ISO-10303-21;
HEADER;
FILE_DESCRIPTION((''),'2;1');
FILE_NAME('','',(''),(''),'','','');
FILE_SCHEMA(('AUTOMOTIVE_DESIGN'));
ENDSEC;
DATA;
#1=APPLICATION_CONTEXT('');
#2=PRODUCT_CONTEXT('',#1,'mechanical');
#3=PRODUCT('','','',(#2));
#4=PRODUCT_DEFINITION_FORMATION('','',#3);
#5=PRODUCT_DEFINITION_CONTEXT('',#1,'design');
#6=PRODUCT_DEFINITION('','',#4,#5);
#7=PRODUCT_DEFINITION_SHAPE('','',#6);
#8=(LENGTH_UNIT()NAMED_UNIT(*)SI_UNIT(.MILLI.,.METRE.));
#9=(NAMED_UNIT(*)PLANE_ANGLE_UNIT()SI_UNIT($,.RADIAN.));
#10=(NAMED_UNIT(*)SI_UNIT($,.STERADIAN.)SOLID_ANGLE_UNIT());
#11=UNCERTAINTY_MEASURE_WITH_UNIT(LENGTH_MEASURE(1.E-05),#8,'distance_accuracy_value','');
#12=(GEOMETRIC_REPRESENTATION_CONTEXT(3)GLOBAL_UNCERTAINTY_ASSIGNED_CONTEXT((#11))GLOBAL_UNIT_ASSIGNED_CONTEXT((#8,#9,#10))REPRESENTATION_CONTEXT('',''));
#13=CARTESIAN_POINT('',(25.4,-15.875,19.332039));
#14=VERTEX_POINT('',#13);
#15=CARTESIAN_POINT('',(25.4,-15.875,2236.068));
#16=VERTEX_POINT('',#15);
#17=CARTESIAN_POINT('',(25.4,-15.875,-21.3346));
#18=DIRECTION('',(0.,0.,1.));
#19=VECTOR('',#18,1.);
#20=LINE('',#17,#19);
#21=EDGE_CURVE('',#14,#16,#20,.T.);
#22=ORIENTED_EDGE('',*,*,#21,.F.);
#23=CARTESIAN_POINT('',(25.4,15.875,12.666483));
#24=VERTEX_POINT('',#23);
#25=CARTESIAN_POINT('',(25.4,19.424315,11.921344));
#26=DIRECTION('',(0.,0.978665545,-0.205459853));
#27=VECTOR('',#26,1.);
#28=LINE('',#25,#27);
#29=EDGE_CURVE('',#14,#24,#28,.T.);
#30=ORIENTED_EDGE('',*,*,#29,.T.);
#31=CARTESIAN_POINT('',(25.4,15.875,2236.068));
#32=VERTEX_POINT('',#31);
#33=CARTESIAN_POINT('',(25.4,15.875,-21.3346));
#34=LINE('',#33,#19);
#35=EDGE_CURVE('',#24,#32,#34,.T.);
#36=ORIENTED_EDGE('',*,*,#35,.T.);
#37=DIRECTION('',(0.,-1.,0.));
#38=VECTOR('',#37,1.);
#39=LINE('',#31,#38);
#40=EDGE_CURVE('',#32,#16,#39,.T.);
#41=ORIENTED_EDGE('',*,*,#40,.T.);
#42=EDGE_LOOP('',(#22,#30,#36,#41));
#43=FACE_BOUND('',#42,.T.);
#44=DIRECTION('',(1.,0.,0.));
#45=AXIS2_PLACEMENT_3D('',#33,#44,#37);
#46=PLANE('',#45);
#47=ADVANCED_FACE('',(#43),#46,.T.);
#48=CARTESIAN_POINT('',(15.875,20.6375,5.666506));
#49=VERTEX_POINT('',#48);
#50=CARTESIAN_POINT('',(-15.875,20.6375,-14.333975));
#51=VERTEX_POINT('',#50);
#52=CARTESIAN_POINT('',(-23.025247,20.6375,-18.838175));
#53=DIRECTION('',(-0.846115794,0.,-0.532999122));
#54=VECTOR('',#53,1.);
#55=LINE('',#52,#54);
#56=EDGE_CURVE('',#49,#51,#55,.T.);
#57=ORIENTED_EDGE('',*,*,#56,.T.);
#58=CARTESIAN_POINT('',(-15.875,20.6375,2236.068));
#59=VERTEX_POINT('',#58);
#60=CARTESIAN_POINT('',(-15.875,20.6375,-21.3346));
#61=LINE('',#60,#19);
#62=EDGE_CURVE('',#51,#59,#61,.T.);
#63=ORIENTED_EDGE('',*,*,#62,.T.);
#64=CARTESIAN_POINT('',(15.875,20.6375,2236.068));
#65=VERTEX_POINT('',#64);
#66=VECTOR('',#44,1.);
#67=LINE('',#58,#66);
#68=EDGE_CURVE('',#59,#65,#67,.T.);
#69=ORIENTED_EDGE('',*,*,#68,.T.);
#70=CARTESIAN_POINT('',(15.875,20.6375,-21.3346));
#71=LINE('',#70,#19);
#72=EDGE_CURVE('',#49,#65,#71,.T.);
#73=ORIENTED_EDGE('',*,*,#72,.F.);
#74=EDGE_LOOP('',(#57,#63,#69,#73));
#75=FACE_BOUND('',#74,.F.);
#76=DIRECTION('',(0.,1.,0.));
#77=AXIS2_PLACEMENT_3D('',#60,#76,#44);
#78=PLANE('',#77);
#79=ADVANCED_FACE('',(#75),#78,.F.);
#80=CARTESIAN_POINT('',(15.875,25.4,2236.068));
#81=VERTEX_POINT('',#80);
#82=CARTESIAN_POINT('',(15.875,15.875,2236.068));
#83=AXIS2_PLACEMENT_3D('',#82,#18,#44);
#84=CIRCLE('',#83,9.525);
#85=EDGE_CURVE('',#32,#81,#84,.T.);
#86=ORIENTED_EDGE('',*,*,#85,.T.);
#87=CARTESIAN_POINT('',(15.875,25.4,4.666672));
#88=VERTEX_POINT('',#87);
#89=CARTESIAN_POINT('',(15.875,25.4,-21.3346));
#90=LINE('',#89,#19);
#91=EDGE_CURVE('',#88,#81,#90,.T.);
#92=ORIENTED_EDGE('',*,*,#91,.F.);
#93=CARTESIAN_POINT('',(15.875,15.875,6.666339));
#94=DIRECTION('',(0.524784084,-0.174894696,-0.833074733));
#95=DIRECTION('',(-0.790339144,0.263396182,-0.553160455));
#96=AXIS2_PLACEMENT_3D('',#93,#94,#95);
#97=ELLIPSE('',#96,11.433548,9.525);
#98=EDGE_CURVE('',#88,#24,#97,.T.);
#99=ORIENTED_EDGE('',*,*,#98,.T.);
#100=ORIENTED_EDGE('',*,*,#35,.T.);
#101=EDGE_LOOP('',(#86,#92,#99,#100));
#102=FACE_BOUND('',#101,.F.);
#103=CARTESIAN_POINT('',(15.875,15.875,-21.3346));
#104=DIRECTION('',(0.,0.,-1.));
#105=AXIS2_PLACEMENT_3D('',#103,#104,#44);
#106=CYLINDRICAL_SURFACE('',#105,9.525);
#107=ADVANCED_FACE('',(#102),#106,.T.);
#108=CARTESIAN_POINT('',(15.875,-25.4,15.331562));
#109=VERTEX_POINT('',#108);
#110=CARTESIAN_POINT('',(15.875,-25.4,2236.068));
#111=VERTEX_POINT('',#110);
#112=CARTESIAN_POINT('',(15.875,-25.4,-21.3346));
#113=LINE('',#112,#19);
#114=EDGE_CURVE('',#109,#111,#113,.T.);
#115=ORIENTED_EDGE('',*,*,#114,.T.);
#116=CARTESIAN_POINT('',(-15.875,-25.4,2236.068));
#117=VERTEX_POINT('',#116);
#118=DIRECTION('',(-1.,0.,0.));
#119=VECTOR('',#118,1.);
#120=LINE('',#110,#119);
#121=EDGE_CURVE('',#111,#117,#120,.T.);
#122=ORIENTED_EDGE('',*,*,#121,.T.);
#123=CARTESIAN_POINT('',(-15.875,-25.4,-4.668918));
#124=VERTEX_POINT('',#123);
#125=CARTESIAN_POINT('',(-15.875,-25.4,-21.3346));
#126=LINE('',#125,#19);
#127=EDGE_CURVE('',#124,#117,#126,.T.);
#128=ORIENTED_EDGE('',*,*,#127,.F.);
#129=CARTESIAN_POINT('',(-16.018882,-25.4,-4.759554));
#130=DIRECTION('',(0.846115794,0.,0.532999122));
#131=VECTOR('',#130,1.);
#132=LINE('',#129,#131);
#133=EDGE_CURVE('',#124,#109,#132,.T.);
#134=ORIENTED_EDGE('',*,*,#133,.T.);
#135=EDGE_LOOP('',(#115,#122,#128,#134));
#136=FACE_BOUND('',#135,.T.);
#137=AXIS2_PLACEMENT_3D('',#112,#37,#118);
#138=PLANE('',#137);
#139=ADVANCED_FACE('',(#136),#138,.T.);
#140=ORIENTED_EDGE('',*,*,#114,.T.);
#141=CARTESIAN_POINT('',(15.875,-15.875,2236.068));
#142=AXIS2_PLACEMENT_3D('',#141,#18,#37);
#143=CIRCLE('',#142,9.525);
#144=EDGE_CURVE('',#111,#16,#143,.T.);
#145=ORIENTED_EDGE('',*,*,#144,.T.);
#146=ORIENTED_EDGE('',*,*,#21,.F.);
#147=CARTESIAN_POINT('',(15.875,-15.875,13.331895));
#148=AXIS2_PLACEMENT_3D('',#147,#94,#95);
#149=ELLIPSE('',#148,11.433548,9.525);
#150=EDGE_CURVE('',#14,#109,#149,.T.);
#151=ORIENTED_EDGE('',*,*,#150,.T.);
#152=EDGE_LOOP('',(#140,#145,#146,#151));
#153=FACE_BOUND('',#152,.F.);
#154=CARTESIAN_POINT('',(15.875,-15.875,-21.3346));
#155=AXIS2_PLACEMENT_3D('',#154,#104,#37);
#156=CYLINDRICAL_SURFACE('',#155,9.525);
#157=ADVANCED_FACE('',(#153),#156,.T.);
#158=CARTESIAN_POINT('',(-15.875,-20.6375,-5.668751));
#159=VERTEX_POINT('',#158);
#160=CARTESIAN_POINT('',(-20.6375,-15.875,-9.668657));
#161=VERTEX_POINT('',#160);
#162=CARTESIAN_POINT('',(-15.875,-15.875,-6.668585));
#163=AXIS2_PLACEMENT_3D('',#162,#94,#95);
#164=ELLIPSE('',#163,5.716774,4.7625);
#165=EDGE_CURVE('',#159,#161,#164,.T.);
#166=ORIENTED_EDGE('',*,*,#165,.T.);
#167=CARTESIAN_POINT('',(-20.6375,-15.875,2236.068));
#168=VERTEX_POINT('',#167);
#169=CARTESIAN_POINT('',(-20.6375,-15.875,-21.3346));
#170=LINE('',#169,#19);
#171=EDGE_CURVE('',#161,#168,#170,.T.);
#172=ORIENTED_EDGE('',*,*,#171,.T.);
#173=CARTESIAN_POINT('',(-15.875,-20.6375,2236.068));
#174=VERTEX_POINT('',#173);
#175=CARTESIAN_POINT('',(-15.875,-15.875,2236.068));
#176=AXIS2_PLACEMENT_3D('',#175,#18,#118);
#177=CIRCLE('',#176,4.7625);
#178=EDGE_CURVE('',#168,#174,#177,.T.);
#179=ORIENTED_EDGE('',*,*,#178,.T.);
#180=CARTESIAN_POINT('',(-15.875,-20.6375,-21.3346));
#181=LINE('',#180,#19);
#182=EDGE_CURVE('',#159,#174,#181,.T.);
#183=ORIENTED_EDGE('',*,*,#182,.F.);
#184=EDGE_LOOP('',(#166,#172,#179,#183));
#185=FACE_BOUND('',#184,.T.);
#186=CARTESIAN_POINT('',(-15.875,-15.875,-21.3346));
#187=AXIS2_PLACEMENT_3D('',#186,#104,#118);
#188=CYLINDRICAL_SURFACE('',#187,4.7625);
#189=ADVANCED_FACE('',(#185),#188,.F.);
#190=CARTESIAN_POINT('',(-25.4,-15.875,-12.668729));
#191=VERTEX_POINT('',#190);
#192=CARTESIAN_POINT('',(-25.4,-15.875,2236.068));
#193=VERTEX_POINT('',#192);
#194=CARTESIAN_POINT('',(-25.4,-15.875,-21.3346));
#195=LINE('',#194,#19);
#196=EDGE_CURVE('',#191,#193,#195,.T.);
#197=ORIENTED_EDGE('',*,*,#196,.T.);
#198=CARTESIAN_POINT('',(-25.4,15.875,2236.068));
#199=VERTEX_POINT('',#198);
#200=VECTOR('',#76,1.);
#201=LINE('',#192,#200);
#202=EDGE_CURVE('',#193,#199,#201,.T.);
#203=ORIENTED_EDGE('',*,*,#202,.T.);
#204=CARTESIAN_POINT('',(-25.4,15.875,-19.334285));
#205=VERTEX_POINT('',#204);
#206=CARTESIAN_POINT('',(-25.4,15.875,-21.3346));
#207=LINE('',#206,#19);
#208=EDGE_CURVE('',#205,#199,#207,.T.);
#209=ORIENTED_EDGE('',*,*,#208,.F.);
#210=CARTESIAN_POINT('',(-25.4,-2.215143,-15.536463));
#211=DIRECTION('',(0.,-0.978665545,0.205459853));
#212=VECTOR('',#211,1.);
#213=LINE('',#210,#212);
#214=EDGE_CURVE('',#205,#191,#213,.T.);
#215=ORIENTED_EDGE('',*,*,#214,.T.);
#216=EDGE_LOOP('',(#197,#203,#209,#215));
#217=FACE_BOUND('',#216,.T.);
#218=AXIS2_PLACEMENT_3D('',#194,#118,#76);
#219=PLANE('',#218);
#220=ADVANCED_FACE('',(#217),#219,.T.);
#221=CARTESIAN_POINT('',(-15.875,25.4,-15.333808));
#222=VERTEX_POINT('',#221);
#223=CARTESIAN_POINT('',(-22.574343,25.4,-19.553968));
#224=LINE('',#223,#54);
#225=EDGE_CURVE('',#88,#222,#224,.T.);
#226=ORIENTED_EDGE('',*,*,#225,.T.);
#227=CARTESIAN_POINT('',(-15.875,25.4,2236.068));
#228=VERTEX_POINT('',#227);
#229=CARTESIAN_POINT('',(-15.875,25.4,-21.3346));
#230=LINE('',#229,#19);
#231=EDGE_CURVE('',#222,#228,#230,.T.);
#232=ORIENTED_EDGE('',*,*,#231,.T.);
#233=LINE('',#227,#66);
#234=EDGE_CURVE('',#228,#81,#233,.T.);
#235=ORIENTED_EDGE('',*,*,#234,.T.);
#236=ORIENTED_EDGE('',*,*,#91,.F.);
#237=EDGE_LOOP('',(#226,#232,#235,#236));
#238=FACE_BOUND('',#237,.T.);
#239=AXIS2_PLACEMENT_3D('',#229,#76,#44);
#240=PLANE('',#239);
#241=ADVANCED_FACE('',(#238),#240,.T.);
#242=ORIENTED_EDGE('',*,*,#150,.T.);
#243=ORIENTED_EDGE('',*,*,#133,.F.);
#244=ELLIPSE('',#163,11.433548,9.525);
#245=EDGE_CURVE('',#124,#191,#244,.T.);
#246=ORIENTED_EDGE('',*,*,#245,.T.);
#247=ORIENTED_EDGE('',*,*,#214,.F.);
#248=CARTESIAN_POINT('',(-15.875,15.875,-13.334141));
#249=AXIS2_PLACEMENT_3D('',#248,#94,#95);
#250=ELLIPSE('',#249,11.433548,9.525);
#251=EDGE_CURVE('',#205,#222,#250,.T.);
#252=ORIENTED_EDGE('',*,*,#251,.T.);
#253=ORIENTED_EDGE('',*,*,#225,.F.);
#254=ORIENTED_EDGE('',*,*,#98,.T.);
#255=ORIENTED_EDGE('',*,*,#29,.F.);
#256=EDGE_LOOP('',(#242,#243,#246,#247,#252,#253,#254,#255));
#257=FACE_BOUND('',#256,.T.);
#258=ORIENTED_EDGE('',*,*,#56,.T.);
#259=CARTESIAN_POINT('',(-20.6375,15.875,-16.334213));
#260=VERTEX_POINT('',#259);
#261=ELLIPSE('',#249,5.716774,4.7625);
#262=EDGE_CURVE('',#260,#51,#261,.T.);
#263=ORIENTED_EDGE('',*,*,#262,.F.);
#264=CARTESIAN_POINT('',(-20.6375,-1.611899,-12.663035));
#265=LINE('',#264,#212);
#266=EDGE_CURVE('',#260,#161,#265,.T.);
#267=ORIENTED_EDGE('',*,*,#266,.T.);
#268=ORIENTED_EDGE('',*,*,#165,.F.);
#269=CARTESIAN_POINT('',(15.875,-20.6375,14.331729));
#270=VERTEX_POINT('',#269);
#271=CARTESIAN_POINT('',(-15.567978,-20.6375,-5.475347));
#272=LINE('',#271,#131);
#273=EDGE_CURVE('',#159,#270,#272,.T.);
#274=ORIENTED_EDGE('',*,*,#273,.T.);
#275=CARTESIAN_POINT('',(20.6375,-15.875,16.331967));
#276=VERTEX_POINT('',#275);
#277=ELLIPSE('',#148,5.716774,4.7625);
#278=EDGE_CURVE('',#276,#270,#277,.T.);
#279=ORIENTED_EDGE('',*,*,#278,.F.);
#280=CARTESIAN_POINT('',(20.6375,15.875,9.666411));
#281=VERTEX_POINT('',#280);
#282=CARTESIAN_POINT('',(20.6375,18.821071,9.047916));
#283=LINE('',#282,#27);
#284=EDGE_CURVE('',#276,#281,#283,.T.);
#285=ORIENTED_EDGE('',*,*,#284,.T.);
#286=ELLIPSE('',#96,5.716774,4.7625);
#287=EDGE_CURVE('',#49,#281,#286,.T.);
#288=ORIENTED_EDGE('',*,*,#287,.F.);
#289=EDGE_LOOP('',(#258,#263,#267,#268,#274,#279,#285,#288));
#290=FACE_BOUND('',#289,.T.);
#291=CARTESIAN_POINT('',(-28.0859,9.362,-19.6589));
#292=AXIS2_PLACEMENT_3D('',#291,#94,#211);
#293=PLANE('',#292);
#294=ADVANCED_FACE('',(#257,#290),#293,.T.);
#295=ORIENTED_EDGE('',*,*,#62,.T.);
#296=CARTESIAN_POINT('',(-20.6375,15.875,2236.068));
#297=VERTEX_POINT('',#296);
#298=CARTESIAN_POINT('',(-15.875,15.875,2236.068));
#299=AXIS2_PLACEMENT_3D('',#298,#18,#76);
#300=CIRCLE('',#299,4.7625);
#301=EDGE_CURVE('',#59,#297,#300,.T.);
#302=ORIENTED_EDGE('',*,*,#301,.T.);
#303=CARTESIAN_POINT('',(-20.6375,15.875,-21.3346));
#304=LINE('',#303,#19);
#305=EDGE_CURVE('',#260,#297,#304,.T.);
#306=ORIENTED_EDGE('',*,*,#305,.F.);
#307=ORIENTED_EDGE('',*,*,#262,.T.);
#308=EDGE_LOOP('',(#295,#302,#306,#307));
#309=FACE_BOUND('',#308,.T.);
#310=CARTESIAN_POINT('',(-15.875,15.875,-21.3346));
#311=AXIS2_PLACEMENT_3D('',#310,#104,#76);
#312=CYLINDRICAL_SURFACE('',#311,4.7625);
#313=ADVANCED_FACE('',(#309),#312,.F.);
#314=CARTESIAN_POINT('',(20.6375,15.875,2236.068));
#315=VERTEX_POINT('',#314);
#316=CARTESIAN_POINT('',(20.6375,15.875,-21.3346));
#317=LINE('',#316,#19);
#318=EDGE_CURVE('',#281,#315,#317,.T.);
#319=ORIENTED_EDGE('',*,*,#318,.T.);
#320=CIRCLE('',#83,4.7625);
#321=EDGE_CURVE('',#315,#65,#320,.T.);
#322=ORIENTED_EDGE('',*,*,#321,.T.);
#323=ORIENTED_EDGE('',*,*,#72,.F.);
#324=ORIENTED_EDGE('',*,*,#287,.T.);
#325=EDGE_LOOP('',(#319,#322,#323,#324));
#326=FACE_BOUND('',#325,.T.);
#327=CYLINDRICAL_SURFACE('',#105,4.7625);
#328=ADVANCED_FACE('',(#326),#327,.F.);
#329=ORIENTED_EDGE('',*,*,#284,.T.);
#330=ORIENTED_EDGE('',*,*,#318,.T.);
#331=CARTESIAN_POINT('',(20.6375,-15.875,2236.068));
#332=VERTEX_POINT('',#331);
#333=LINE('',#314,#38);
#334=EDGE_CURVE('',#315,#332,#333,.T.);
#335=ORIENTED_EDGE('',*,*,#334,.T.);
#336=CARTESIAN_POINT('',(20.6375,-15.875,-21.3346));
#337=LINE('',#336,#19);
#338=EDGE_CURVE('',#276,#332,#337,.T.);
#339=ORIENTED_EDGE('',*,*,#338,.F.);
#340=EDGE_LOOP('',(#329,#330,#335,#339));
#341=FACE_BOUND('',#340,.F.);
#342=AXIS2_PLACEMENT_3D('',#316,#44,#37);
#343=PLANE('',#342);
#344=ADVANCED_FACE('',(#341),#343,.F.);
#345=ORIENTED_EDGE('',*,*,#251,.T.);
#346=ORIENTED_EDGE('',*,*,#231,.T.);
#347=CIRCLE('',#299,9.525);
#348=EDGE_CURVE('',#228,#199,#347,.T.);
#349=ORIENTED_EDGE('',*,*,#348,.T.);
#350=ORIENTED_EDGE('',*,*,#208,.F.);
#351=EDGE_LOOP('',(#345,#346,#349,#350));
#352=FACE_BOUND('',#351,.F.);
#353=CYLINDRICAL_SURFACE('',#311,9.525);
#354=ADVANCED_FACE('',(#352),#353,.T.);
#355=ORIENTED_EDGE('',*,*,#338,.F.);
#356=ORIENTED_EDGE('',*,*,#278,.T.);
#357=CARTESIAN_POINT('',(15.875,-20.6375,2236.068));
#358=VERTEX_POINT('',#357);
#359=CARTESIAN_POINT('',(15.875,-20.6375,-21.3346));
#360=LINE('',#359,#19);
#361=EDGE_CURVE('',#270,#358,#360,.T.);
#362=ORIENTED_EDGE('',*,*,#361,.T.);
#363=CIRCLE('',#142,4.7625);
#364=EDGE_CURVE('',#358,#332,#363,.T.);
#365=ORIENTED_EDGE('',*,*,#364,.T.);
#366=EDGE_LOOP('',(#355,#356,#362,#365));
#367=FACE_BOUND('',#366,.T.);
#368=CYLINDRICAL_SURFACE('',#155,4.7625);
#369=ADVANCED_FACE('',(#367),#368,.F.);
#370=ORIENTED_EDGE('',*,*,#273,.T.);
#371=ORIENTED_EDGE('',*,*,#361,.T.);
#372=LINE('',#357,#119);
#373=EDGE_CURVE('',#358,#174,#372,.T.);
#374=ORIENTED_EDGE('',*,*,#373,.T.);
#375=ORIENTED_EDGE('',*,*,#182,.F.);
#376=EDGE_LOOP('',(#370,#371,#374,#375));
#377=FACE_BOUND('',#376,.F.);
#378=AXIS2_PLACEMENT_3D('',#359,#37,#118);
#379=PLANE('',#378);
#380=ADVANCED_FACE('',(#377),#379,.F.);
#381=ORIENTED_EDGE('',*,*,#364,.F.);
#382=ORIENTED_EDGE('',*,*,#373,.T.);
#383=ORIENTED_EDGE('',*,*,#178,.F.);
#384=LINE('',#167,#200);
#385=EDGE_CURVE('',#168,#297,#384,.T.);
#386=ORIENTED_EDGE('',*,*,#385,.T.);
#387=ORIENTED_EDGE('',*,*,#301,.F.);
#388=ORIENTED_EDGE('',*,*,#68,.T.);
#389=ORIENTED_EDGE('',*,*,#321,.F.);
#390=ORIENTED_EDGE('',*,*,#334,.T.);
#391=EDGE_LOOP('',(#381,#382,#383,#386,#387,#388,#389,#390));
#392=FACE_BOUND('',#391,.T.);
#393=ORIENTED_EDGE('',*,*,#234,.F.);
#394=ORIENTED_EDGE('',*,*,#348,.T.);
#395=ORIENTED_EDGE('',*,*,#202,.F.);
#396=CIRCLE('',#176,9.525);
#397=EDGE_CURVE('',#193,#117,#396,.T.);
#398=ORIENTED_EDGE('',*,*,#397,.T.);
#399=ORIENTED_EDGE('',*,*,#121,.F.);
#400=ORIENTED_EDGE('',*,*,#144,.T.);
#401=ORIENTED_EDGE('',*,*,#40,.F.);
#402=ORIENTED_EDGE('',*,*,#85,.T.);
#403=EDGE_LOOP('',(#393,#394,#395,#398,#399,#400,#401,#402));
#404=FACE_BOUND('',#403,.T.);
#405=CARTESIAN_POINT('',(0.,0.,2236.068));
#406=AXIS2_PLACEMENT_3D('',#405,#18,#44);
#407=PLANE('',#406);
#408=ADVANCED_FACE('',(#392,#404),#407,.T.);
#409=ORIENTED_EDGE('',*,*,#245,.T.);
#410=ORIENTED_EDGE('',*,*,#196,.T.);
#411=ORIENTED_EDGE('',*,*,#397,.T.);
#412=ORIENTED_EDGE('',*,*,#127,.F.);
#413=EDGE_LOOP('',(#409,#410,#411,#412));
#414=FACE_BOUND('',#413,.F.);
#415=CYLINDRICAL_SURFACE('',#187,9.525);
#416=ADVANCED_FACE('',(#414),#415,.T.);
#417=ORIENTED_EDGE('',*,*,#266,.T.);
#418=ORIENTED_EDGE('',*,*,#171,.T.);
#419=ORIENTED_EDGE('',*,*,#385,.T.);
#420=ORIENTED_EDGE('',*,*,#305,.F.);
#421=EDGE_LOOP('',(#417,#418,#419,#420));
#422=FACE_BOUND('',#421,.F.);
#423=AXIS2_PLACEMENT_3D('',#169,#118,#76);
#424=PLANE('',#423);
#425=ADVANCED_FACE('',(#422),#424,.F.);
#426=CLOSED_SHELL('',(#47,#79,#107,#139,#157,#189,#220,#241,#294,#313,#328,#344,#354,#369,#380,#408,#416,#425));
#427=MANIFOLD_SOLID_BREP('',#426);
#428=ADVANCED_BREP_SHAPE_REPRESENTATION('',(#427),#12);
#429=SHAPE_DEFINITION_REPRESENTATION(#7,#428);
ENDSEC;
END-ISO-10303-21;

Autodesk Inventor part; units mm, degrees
ref_plane "Plano inicial" through (0, 0, -21.3346) normal (0, 0, 1) x (1, 0, 0)
ref_plane "Plano final" through (0, 0, 2236.068) normal (0, 0, 1) x (1, 0, 0)
sketch "Esboço" plane through (0, 0, 0) normal (0, 0, 1) x (1, 0, 0)
  line L0 (-25.4, -15.875) -> (-25.4, 15.875)
  line L1 (-15.875, 25.4) -> (15.875, 25.4)
  line L2 (25.4, 15.875) -> (25.4, -15.875)
  line L3 (15.875, -25.4) -> (-15.875, -25.4)
  arc A0 (-25.4, -15.875) -> (-15.875, -25.4) centre (-15.875, -15.875) ccw
  arc A1 (-15.875, 25.4) -> (-25.4, 15.875) centre (-15.875, 15.875) ccw
  arc A2 (25.4, 15.875) -> (15.875, 25.4) centre (15.875, 15.875) ccw
  arc A3 (15.875, -25.4) -> (25.4, -15.875) centre (15.875, -15.875) ccw
  arc A4 (-15.875, 20.6375) -> (-20.6375, 15.875) centre (-15.875, 15.875) ccw
  line L4 (-15.875, 20.6375) -> (15.875, 20.6375)
  arc A5 (20.6375, 15.875) -> (15.875, 20.6375) centre (15.875, 15.875) ccw
  line L5 (20.6375, 15.875) -> (20.6375, -15.875)
  arc A6 (15.875, -20.6375) -> (20.6375, -15.875) centre (15.875, -15.875) ccw
  line L6 (15.875, -20.6375) -> (-15.875, -20.6375)
  arc A7 (-20.6375, -15.875) -> (-15.875, -20.6375) centre (-15.875, -15.875) ccw
  line L7 (-20.6375, -15.875) -> (-20.6375, 15.875)
  line L8 (0, 38.3218) -> (0, -38.3218) construction
  line L9 (-38.3218, 0) -> (38.3218, 0) construction
  dimension "d10" = 50.8
  dimension "d11" = 50.8
  dimension "d12" = 4.7625
  dimension "d15" = 25.4
  dimension "d16" = 25.4
  dimension "d17" = 9.525
extrude "Corpo" add sketch "Esboço" along normal up to surface (2257.4026 mm away) from surface at -21.3346
sketch "Sketch3" plane through (0, 0, 0) normal (0, 0, 1) x (1, 0, 0)
  line L0 (0, 0) -> (10, 0)
ref_plane "Work Plane3" through (0, 0, 0) normal (0, -1, 0) x (1, 0, 0)
sketch "Sketch4" plane through (0, 0, 0) normal (0, -1, 0) x (1, 0, 0)
  line L0 (-2, -21.3346) -> (12, -21.3346)
  line L1 (-2, 2236.068) -> (12, 2236.068)
  dimension "d19" = 2257.4026
ref_plane "Plano de trabalho4" through (-28.0859, 9.362, -19.6589) normal (0.5248, -0.1749, -0.8331) x (-0.6498, 0.5499, -0.5248)
split "Dividir1" plane through (-28.0859, 9.362, -19.6589) removes the side toward (0.5248, -0.1749, -0.8331)
equation "\"d10\" = G_H"
equation "\"d11\" = G_W"
equation "\"d12\" = G_T"
equation "\"d15\" = 0.5 * d10"
equation "\"d16\" = 0.5 * d11"
equation "\"d17\" = G_IR"
equation "\"d3\" = G_L"
equation "\"G_W\" = 50.8"
equation "\"G_H\" = 50.8"
equation "\"G_T\" = 4.7625"
equation "\"G_IR\" = 9.525"
equation "\"G_L\" = 2255.40246"
equation "\"G_OFFSET_START\" = 21.3346"
equation "\"G_OFFSET_END\" = 0"
equation "\"d13\" = -G_OFFSET_START"
equation "\"d14\" = G_OFFSET_END + B_L"
equation "\"B_L\" = 2236.06798"
properties part number "AISC - 2 x 2 x 3/16 - 88,795" material "Aço, suave"
